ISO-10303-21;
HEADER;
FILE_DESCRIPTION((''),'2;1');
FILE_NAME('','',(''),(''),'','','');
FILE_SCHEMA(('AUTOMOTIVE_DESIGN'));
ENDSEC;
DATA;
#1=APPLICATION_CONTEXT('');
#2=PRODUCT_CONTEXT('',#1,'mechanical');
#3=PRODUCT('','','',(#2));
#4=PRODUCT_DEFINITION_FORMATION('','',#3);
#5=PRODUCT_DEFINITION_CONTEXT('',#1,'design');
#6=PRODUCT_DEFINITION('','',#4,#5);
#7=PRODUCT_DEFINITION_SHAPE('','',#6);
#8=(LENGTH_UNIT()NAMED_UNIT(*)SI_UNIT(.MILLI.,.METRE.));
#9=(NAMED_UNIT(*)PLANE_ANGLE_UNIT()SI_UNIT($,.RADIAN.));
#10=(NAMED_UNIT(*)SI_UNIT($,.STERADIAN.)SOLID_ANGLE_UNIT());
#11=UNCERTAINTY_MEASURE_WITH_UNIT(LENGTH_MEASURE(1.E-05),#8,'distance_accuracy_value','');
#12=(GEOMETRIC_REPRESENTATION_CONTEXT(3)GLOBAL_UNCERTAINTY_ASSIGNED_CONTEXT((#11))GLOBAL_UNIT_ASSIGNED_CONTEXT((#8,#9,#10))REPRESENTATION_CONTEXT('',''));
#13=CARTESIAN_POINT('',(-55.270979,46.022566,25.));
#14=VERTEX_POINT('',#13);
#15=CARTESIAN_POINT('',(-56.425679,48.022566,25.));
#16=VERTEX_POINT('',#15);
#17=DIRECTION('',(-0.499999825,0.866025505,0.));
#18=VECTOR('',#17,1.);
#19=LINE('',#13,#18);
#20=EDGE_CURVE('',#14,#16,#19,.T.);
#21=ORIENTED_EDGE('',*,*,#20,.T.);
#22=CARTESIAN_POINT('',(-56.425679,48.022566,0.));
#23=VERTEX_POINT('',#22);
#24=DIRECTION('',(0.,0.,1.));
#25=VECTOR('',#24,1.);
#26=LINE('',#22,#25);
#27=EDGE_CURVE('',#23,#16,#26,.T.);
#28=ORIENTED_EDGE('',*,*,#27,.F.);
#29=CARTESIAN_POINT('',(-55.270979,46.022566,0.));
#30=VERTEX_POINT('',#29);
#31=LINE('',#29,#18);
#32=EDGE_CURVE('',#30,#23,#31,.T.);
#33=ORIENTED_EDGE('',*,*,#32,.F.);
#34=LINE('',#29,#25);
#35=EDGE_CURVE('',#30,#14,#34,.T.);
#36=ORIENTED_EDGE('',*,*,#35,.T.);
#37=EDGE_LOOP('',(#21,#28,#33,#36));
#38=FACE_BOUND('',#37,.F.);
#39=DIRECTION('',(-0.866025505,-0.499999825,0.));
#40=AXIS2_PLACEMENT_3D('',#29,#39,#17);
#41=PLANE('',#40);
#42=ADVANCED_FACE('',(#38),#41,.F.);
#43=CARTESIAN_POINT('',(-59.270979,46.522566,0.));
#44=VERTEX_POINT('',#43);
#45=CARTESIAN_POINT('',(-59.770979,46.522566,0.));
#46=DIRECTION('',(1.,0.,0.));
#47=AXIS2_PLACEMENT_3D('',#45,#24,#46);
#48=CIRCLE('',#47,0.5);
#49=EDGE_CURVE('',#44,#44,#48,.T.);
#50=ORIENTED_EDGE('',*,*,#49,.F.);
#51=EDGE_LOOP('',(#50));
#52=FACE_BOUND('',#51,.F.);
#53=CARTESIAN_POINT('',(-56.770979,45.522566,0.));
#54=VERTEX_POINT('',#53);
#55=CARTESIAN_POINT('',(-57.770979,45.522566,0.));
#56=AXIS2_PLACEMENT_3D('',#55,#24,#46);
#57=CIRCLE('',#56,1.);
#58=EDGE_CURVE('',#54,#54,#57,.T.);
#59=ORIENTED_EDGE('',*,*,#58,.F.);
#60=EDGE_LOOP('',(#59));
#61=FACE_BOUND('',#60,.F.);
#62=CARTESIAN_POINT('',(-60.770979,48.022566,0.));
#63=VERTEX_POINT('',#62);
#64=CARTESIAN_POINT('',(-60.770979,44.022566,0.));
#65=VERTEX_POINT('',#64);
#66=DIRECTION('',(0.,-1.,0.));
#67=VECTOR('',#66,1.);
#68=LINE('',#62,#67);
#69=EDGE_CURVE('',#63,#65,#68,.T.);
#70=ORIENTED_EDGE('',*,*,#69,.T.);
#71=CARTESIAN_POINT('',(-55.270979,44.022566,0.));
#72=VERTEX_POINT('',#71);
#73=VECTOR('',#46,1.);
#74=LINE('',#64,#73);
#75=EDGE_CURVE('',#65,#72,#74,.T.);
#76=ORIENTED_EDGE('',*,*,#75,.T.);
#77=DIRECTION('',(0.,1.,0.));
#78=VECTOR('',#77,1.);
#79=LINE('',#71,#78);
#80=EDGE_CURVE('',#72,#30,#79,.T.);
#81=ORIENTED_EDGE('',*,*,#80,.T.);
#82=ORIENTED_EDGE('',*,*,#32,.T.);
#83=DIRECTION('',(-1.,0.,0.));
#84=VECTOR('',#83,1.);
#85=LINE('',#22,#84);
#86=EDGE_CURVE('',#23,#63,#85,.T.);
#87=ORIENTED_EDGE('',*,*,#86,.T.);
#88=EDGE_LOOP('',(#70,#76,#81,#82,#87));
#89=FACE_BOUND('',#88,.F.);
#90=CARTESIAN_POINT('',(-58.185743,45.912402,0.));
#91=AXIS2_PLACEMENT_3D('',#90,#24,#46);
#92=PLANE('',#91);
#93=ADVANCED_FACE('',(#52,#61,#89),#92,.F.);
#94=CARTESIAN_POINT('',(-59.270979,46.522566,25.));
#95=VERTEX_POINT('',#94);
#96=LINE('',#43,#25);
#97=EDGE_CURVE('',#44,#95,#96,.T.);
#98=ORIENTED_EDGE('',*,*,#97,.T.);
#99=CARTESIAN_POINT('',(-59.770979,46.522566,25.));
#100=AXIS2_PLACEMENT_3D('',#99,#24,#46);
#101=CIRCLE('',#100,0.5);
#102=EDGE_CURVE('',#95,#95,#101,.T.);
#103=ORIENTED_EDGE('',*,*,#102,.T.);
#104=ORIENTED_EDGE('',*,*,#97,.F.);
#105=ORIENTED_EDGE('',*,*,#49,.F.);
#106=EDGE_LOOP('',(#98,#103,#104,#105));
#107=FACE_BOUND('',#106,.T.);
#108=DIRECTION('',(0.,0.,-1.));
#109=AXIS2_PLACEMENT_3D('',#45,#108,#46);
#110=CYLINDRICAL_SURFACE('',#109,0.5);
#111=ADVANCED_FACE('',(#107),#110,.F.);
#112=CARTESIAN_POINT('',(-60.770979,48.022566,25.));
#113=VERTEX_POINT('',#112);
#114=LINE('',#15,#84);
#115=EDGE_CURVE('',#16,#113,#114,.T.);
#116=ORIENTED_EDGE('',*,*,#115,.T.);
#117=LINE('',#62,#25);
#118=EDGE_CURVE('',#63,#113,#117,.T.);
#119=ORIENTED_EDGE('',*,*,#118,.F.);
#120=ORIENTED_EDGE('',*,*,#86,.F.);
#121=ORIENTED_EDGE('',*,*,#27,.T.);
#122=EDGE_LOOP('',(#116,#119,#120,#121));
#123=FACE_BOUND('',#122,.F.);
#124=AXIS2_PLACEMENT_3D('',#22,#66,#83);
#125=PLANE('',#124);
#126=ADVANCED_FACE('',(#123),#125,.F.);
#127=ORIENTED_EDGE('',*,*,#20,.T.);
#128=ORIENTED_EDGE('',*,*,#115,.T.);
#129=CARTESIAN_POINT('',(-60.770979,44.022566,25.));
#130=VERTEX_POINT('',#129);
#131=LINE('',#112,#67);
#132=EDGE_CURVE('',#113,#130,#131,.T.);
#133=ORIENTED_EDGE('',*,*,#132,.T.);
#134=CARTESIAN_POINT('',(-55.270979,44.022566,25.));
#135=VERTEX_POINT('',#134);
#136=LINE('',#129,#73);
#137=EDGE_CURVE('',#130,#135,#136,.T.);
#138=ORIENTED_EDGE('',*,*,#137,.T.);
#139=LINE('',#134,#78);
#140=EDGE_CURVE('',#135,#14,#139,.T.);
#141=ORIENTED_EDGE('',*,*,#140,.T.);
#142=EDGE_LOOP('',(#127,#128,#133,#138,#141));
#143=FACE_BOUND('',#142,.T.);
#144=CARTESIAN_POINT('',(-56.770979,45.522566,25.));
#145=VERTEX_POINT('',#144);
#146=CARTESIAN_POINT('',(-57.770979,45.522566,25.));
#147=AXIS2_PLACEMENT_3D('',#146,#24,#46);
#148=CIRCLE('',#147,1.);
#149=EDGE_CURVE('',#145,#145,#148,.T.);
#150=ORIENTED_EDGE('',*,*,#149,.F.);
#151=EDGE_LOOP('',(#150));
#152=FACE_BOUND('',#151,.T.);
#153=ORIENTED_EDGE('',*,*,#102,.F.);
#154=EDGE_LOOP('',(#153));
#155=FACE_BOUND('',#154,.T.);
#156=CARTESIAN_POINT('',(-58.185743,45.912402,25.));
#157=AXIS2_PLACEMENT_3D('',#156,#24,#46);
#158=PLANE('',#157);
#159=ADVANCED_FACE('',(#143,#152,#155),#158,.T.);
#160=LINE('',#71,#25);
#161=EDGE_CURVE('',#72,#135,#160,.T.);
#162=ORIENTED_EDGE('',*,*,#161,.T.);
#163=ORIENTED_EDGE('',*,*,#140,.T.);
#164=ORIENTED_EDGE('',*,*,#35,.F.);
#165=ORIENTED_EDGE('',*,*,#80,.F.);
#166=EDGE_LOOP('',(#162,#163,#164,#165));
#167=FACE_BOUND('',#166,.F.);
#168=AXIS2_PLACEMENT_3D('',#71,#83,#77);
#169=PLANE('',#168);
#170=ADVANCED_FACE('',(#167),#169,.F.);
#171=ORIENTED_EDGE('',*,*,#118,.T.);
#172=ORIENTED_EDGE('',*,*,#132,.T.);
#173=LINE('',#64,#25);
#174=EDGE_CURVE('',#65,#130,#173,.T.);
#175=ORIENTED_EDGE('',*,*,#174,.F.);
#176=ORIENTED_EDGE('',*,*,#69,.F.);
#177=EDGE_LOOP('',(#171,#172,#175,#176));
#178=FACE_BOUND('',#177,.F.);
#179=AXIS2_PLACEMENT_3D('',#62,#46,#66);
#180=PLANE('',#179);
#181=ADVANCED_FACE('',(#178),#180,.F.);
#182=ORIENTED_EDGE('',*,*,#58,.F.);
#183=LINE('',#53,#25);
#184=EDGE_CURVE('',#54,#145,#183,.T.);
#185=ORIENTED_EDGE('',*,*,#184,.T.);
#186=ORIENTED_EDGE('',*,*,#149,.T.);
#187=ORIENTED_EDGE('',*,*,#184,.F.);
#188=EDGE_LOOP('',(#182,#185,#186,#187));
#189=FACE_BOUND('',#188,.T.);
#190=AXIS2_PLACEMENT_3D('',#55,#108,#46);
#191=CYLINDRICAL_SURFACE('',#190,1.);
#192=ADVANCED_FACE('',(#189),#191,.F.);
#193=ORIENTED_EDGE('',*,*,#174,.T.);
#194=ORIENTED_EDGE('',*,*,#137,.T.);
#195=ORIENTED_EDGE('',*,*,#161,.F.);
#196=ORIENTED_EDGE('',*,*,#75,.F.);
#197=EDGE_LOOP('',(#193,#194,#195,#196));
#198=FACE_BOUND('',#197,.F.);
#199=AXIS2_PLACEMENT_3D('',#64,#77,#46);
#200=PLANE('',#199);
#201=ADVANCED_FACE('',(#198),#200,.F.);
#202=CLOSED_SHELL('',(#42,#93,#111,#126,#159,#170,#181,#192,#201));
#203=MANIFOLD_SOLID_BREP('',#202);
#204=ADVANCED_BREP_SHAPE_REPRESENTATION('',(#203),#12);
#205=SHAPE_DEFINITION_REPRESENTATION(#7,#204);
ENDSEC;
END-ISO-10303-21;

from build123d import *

# Parameters (mm, degrees)
F0_R     = 1
F0_R_2   = 0.5
F1_DEPTH = 25


with BuildPart() as f1:
    # F0 (on Top) → F1 (new body)
    with BuildSketch(Plane.XY):
        Polygon((-55.270979, 44.022566), (-55.270979, 46.022566), (-56.425679, 48.022566), (-60.770979, 48.022566), (-60.770979, 46.522566), (-60.770979, 44.022566), align=None)
        with Locations((-57.770979, 45.522566)):
            Circle(F0_R, mode=Mode.SUBTRACT)
        with Locations((-59.770979, 46.522566)):
            Circle(F0_R_2, mode=Mode.SUBTRACT)
    extrude(amount=F1_DEPTH)


solid = f1.part
